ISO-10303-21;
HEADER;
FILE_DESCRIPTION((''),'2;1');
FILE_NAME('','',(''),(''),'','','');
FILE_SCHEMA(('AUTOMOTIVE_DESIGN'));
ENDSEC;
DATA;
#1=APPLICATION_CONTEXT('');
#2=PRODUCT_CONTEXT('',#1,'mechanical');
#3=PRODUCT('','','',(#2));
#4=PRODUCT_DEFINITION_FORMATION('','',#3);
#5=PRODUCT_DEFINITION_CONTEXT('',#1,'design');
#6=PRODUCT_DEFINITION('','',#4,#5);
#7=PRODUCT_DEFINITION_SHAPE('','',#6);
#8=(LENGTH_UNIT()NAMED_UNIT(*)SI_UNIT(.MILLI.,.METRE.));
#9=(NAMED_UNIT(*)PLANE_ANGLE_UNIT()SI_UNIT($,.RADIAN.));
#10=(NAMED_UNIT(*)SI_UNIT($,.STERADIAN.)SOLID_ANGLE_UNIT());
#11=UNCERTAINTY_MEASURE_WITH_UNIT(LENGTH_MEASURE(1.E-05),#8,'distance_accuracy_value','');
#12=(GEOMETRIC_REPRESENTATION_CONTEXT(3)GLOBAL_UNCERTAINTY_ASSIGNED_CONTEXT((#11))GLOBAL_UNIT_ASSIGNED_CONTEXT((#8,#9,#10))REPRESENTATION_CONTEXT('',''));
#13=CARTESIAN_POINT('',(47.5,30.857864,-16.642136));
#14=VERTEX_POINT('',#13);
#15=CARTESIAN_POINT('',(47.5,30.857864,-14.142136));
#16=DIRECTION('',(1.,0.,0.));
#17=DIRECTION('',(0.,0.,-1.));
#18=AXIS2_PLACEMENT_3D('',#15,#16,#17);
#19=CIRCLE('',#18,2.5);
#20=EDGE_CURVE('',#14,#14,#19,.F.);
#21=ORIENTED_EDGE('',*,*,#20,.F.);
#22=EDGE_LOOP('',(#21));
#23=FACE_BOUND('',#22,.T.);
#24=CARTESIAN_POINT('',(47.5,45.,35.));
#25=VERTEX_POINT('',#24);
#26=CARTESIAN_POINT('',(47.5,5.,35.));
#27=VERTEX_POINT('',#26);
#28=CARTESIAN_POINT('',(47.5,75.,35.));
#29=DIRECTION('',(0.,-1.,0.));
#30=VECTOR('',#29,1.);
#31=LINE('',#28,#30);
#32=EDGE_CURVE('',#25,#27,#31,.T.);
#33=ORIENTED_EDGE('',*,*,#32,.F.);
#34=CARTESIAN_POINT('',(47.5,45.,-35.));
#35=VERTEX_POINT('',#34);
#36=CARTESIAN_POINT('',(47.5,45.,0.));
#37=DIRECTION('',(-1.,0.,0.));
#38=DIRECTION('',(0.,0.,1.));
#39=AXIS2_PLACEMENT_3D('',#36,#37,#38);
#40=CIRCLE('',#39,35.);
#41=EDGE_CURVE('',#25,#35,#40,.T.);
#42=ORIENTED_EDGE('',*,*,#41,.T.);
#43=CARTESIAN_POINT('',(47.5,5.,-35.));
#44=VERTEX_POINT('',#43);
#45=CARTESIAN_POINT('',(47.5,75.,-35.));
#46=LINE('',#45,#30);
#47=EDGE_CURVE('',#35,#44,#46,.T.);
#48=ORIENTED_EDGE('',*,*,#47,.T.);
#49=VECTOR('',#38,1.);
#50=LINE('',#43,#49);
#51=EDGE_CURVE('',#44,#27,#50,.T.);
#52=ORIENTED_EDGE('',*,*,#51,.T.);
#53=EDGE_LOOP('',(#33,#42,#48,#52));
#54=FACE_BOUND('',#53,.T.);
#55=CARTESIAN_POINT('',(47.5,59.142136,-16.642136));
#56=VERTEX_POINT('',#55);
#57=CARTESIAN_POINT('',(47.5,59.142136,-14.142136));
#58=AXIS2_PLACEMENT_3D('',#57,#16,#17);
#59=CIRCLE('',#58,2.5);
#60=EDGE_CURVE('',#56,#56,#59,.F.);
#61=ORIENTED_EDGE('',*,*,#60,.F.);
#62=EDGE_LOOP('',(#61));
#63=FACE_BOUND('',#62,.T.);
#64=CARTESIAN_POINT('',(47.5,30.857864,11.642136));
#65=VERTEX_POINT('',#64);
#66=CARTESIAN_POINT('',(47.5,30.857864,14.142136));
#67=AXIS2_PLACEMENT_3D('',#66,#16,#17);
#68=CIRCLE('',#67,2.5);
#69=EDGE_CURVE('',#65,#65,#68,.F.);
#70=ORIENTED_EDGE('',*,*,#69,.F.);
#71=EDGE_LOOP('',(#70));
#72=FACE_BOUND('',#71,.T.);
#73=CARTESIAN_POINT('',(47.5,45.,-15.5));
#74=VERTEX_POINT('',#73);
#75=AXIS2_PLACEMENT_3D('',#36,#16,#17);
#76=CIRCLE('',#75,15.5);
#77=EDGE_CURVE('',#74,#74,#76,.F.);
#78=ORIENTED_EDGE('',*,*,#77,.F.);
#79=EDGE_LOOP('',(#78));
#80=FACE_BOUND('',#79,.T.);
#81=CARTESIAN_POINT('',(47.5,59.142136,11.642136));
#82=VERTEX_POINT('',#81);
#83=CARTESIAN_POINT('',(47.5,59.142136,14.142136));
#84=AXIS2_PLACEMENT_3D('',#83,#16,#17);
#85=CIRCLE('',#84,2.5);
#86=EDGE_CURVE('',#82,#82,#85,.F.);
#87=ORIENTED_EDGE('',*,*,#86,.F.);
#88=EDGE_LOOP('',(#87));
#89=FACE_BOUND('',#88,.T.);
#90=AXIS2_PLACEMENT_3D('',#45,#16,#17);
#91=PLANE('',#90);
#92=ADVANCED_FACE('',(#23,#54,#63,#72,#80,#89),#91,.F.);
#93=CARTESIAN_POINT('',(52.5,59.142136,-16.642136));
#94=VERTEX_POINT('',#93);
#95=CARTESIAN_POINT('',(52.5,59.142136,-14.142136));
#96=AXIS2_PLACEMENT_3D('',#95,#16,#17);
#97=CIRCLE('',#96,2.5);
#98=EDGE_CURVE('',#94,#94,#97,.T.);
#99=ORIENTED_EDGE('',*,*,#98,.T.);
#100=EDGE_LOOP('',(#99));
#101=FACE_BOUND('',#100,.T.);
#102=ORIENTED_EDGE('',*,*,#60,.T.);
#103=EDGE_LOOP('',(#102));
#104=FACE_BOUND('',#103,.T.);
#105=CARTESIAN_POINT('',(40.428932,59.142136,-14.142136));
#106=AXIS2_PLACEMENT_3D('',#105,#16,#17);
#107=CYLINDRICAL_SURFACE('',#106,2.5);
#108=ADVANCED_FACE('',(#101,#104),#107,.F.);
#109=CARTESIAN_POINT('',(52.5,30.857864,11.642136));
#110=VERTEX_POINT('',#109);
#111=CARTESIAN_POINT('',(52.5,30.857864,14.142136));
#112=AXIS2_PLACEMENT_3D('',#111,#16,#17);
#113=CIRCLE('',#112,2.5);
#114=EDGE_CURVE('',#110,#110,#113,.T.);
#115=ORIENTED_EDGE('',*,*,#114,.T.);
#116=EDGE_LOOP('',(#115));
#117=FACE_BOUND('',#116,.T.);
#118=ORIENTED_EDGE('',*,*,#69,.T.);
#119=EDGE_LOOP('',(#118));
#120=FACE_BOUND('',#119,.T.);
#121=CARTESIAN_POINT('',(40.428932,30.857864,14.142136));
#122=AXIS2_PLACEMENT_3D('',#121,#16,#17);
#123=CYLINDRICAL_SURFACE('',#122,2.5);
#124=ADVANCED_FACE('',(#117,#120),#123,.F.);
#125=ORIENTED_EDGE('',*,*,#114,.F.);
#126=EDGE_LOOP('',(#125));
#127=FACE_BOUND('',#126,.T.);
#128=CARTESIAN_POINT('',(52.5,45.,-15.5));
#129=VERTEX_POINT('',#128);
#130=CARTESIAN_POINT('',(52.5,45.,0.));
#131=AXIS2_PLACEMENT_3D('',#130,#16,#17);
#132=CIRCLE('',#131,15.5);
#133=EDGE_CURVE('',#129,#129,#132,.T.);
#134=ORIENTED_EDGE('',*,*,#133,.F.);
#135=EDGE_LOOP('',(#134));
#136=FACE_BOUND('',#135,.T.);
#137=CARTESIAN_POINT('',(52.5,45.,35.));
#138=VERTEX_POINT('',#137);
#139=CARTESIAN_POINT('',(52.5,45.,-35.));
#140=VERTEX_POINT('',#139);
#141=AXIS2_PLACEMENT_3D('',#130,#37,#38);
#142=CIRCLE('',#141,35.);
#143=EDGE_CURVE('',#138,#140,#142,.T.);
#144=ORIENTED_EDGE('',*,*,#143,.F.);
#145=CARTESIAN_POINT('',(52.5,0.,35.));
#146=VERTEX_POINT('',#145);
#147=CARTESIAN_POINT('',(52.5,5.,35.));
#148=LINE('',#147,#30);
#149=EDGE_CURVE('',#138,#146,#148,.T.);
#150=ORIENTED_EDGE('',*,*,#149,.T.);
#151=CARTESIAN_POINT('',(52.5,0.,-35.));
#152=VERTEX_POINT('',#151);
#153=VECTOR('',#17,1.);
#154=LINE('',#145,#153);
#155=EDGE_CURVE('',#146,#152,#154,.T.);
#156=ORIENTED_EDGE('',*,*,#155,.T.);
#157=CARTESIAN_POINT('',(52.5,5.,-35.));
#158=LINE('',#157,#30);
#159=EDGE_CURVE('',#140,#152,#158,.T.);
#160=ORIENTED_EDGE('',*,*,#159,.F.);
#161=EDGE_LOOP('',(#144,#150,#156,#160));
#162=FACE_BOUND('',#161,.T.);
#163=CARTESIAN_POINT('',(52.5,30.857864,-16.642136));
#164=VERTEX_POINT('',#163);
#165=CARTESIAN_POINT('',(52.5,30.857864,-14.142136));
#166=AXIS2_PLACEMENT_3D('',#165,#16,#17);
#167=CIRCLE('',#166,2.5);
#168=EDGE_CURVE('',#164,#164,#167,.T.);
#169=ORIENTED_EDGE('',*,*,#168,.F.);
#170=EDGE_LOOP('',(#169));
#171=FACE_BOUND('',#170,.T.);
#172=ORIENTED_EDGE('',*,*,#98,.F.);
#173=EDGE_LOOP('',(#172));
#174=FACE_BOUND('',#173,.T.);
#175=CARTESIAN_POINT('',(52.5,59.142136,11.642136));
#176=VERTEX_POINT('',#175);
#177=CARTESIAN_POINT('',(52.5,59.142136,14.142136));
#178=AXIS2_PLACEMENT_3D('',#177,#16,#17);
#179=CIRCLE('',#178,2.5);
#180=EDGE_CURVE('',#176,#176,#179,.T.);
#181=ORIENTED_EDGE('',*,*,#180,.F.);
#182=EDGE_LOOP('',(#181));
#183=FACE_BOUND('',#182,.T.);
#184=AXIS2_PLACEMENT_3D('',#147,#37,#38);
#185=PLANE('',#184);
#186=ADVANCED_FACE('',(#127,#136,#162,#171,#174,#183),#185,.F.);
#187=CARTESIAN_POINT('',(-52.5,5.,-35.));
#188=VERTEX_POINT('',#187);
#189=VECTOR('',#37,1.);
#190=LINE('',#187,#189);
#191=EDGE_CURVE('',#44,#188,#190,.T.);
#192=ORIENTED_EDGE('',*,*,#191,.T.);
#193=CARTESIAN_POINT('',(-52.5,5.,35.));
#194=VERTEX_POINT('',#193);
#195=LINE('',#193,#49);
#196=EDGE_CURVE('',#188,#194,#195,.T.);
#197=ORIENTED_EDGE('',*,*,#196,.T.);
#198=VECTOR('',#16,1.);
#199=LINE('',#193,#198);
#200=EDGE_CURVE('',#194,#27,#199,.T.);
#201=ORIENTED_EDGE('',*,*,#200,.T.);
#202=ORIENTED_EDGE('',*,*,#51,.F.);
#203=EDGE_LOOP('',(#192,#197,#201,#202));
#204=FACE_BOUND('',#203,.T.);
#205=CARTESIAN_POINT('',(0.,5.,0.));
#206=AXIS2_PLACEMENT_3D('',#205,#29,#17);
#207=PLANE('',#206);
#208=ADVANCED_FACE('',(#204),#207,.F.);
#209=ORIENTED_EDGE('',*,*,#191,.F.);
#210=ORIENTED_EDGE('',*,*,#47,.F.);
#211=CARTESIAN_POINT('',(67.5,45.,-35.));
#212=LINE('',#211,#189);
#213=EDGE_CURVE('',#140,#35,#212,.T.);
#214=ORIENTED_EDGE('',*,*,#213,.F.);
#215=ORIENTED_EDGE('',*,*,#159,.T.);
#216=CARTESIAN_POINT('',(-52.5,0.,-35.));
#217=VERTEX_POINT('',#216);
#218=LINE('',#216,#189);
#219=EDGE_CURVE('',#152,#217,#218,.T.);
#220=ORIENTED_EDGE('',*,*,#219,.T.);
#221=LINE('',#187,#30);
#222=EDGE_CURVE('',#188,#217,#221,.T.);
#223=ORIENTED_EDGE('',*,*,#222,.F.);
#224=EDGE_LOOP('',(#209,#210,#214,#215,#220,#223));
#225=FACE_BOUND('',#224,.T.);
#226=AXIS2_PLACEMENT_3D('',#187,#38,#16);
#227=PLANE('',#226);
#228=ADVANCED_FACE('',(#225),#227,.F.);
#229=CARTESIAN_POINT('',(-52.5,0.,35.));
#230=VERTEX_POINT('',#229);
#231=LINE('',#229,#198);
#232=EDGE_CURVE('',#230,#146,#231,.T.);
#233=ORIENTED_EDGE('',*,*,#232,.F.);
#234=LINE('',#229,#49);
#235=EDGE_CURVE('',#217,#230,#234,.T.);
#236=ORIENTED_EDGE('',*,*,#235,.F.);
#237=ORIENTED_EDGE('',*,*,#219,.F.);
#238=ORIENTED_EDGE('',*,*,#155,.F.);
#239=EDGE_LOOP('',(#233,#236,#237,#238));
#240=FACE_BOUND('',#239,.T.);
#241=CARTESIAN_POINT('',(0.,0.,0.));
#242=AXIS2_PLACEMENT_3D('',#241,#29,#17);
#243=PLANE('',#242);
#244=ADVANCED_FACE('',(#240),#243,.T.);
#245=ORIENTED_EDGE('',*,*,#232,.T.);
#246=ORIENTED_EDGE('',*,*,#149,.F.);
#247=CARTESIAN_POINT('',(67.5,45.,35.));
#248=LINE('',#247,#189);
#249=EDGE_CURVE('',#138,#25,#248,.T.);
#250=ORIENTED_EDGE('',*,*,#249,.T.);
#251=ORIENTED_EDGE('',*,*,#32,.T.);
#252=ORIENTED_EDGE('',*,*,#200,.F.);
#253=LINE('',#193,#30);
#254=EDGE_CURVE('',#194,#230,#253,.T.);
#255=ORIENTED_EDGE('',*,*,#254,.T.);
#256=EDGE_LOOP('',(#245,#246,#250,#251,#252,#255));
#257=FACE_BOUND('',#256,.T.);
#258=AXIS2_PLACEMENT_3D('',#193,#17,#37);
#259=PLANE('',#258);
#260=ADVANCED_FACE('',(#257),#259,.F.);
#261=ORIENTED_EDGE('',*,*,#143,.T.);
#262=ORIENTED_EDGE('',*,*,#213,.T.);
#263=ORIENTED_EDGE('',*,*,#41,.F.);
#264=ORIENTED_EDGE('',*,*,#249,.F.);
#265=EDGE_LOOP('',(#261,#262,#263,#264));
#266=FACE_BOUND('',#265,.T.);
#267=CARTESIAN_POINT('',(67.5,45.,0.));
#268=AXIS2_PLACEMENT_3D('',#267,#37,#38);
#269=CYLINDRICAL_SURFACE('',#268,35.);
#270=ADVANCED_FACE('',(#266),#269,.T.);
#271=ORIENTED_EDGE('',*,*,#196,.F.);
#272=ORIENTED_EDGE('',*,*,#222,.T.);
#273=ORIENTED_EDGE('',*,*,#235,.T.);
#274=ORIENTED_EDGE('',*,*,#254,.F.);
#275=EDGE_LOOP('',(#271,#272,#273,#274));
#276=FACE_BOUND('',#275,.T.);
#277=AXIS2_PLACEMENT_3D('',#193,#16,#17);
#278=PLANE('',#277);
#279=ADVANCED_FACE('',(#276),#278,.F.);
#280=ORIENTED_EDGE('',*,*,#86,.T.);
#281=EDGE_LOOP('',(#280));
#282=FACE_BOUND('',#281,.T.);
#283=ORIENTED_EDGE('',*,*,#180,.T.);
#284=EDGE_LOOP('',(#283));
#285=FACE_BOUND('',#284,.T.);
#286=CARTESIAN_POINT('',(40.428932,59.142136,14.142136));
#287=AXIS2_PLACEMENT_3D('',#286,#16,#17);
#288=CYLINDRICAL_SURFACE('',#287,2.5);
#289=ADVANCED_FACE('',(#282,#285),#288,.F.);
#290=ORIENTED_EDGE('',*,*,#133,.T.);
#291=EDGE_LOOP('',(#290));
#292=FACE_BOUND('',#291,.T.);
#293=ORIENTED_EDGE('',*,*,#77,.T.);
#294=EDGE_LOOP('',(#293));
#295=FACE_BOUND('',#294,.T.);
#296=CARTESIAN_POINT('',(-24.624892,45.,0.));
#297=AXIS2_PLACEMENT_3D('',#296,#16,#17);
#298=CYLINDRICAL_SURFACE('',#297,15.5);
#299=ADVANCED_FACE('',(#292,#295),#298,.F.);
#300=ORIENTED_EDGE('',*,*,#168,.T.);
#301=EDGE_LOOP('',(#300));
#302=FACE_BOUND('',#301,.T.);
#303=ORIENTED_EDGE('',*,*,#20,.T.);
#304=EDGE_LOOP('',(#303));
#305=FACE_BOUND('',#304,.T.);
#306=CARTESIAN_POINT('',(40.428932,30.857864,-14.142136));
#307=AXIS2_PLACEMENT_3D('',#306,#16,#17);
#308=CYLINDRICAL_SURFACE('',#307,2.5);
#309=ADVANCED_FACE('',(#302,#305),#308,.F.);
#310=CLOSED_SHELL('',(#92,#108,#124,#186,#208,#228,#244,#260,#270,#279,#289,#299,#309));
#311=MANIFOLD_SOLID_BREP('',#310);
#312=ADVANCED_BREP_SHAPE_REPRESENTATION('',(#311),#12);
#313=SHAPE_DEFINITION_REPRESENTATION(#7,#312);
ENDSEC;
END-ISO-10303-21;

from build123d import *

# Parameters (mm, degrees)
SKETCH1_W           = 105
SKETCH1_H           = 70
BOSS_EXTRUDE1_DEPTH = 5
SKETCH2_W           = 5
SKETCH2_H           = 70
BOSS_EXTRUDE2_DEPTH = 70
CUT_EXTRUDE1_DEPTH  = 20
SKETCH4_R           = 25.5
CUT_EXTRUDE2_DEPTH  = 10
BOSS_EXTRUDE3_DEPTH = 5
SKETCH6_R           = 25.5
SKETCH6_R_2         = 15.5
BOSS_EXTRUDE4_DEPTH = 5
SKETCH7_R           = 2.5
CUT_EXTRUDE3_DEPTH  = 5


with BuildPart() as part:
    # Sketch1 → Boss-Extrude1 (new body)
    with BuildSketch(Plane(origin=(0, 0, 0), x_dir=(1, 0, 0), z_dir=(0, 1, 0))):
        Rectangle(SKETCH1_W, SKETCH1_H)
    extrude(amount=BOSS_EXTRUDE1_DEPTH)

    # Sketch2 → Boss-Extrude2 (add)
    with BuildSketch(Plane(origin=(0, 5, 0), x_dir=(1, 0, 0), z_dir=(0, 1, 0))):
        with Locations((50, 0)):
            Rectangle(SKETCH2_W, SKETCH2_H)
    extrude(amount=BOSS_EXTRUDE2_DEPTH)

    # Sketch3 → Cut-Extrude1 (cut)
    with BuildSketch(Plane.ZY.offset(-47.5)):
        with BuildLine():
            Line((-18.027756377, 75), (-35, 75))
            Line((-35, 75), (-35, 45))
            ThreePointArc((-35, 45), (-30.462858313, 62.234101758), (-18.027756377, 75))
        make_face()
        with BuildLine():
            Line((35, 75), (18.027756377, 75))
            ThreePointArc((18.027756377, 75), (30.462858313, 62.234101758), (35, 45))
            Line((35, 45), (35, 75))
        make_face()
    extrude(amount=-CUT_EXTRUDE1_DEPTH, mode=Mode.SUBTRACT)

    # Sketch4 → Cut-Extrude2 (cut)
    with BuildSketch(Plane.ZY.offset(-47.5)):
        with Locations((0, 45)):
            Circle(SKETCH4_R)
    extrude(amount=-CUT_EXTRUDE2_DEPTH, mode=Mode.SUBTRACT)

    # Sketch5 → Boss-Extrude3 (add)
    with BuildSketch(Plane(origin=(52.5, 0, 0), x_dir=(0, 0, -1), z_dir=(1, 0, 0))):
        with BuildLine():
            Line((-18.027756377, 75), (18.027756377, 75))
            ThreePointArc((18.027756377, 75), (0, 80), (-18.027756377, 75))
        make_face()
    extrude(amount=-BOSS_EXTRUDE3_DEPTH)

    # Sketch6 → Boss-Extrude4 (add)
    with BuildSketch(Plane(origin=(52.5, 0, 0), x_dir=(0, 0, -1), z_dir=(1, 0, 0))):
        with Locations((0, 45)):
            Circle(SKETCH6_R)
        with Locations((0, 45)):
            Circle(SKETCH6_R_2, mode=Mode.SUBTRACT)
    extrude(amount=-BOSS_EXTRUDE4_DEPTH)

    # Sketch7 → Cut-Extrude3 (cut)
    with BuildSketch(Plane(origin=(52.5, 0, 0), x_dir=(0, 0, -1), z_dir=(1, 0, 0))):
        with Locations((14.142135624, 59.142135624)):
            Circle(SKETCH7_R)
        with Locations((14.142135624, 30.857864376)):
            Circle(SKETCH7_R)
        with Locations((-14.142135624, 30.857864376)):
            Circle(SKETCH7_R)
        with Locations((-14.142135624, 59.142135624)):
            Circle(SKETCH7_R)
    extrude(amount=-CUT_EXTRUDE3_DEPTH, mode=Mode.SUBTRACT)


solid = part.part
